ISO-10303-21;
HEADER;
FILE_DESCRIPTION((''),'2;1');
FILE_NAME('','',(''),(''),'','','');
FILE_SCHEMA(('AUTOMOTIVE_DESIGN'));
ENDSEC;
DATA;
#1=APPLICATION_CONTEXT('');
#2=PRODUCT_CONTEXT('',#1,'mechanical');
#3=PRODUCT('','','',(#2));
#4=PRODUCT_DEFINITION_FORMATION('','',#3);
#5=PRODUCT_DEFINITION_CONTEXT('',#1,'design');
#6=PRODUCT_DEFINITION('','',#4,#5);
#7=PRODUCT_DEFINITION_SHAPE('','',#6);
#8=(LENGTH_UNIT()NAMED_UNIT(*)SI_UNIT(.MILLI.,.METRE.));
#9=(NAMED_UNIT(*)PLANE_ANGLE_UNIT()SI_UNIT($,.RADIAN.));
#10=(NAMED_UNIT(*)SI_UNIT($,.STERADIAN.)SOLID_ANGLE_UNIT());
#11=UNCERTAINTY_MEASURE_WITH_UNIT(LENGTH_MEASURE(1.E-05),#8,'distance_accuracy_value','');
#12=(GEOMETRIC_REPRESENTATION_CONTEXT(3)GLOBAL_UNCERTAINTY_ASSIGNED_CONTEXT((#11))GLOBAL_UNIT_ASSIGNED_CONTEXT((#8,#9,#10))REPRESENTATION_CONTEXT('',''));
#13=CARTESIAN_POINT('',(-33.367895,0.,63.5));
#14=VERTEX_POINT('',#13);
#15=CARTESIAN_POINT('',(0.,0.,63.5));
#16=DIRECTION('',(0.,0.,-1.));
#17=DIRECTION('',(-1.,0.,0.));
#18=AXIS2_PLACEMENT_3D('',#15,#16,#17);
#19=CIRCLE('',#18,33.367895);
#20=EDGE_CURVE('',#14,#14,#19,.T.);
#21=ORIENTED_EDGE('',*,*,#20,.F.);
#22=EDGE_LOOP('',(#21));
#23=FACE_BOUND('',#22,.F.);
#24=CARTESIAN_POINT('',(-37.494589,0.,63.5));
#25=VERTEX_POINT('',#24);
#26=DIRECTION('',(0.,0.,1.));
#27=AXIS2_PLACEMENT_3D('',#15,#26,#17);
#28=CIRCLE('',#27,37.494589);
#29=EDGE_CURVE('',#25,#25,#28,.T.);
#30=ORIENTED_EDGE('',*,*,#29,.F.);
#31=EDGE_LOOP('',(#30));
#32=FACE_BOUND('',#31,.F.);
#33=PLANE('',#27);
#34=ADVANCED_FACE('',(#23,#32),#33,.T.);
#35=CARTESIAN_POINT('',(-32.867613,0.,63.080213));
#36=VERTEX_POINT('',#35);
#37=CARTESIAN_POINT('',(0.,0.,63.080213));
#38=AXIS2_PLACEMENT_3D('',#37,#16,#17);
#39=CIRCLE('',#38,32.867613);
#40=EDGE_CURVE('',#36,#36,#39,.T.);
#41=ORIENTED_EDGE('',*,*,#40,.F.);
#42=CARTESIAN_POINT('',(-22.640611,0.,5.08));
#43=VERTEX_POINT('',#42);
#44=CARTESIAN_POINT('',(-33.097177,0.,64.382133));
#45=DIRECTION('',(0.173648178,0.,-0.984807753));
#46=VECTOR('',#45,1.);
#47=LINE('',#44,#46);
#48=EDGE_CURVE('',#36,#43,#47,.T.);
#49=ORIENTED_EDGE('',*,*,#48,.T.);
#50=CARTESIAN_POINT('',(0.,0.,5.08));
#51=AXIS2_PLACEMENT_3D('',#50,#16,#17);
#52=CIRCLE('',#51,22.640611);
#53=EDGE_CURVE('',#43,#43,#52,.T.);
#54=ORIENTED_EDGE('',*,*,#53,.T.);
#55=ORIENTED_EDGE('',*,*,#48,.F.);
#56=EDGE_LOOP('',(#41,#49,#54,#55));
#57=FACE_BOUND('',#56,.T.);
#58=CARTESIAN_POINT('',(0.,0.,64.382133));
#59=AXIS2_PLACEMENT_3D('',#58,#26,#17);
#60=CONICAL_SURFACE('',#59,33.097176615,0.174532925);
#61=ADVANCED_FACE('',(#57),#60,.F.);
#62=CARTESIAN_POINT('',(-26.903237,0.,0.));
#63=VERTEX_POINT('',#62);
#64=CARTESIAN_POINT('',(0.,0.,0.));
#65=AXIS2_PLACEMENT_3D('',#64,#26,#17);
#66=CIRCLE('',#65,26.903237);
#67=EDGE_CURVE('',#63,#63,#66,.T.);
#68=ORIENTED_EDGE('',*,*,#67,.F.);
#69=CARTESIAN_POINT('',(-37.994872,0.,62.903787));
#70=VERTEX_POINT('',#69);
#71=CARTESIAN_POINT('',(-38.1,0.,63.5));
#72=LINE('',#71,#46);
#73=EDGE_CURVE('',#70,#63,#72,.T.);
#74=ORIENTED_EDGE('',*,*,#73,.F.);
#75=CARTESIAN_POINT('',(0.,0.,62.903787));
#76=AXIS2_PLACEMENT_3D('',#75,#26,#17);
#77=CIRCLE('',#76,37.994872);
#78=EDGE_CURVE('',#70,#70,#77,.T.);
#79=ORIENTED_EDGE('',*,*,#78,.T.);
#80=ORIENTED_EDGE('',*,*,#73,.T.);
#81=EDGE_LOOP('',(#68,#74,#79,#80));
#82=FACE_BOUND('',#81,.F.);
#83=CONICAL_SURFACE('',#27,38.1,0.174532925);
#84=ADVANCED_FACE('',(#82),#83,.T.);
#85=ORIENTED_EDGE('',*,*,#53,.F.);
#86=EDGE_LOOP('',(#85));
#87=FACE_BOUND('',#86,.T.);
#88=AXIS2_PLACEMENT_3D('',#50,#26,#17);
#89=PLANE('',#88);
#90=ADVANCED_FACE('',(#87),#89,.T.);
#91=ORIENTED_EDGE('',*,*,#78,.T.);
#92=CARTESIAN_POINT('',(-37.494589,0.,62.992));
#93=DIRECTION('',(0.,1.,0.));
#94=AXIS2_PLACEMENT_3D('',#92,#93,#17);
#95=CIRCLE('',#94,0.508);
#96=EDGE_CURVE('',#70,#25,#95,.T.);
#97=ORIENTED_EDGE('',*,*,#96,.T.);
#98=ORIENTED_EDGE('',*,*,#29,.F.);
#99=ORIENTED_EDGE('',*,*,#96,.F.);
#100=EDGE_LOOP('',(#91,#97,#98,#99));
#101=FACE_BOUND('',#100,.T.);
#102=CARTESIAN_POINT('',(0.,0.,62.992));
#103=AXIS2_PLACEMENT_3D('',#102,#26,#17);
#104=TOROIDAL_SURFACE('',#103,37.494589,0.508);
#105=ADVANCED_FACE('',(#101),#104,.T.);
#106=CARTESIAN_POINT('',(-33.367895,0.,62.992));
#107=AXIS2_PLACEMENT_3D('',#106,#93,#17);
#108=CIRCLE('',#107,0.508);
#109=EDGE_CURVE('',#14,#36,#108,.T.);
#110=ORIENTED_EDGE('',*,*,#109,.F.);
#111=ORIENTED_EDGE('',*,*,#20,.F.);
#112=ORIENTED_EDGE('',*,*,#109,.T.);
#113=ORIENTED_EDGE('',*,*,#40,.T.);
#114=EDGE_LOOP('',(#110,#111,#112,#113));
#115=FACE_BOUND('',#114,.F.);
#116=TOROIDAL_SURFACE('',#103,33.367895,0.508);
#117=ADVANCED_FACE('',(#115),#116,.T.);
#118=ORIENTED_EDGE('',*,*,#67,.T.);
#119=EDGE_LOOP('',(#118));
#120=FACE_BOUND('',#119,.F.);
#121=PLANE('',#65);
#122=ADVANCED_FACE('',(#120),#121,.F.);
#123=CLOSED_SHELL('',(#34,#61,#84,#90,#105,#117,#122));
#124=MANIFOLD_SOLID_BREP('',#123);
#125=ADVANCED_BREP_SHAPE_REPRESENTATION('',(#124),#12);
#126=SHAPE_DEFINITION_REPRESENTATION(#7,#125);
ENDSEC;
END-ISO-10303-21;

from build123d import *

# Parameters (mm, degrees)
F2_T = -5.08
F3_R = 0.508


with BuildPart() as f1:
    # F0 (on Front) → F1 (revolve)
    with BuildSketch(Plane.XZ):
        Polygon((0, 0), (0, 63.5), (-38.1, 63.5), (-26.903236725, 0), align=None)
    revolve(axis=Axis((0, 0, 31.75), (0, 0, 1)))

    # F2
    f2_openings = [f1.faces().sort_by_distance(p)[0] for p in [
        (0, 0, 63.5),
    ]]
    offset(amount=F2_T, openings=f2_openings)

    # F3
    f3_edges = [f1.edges().sort_by_distance(p)[0] for p in [
        (38.1, 0, 63.5),
        (32.941633, 0, 63.5),
    ]]
    fillet(f3_edges, radius=F3_R)


solid = f1.part
